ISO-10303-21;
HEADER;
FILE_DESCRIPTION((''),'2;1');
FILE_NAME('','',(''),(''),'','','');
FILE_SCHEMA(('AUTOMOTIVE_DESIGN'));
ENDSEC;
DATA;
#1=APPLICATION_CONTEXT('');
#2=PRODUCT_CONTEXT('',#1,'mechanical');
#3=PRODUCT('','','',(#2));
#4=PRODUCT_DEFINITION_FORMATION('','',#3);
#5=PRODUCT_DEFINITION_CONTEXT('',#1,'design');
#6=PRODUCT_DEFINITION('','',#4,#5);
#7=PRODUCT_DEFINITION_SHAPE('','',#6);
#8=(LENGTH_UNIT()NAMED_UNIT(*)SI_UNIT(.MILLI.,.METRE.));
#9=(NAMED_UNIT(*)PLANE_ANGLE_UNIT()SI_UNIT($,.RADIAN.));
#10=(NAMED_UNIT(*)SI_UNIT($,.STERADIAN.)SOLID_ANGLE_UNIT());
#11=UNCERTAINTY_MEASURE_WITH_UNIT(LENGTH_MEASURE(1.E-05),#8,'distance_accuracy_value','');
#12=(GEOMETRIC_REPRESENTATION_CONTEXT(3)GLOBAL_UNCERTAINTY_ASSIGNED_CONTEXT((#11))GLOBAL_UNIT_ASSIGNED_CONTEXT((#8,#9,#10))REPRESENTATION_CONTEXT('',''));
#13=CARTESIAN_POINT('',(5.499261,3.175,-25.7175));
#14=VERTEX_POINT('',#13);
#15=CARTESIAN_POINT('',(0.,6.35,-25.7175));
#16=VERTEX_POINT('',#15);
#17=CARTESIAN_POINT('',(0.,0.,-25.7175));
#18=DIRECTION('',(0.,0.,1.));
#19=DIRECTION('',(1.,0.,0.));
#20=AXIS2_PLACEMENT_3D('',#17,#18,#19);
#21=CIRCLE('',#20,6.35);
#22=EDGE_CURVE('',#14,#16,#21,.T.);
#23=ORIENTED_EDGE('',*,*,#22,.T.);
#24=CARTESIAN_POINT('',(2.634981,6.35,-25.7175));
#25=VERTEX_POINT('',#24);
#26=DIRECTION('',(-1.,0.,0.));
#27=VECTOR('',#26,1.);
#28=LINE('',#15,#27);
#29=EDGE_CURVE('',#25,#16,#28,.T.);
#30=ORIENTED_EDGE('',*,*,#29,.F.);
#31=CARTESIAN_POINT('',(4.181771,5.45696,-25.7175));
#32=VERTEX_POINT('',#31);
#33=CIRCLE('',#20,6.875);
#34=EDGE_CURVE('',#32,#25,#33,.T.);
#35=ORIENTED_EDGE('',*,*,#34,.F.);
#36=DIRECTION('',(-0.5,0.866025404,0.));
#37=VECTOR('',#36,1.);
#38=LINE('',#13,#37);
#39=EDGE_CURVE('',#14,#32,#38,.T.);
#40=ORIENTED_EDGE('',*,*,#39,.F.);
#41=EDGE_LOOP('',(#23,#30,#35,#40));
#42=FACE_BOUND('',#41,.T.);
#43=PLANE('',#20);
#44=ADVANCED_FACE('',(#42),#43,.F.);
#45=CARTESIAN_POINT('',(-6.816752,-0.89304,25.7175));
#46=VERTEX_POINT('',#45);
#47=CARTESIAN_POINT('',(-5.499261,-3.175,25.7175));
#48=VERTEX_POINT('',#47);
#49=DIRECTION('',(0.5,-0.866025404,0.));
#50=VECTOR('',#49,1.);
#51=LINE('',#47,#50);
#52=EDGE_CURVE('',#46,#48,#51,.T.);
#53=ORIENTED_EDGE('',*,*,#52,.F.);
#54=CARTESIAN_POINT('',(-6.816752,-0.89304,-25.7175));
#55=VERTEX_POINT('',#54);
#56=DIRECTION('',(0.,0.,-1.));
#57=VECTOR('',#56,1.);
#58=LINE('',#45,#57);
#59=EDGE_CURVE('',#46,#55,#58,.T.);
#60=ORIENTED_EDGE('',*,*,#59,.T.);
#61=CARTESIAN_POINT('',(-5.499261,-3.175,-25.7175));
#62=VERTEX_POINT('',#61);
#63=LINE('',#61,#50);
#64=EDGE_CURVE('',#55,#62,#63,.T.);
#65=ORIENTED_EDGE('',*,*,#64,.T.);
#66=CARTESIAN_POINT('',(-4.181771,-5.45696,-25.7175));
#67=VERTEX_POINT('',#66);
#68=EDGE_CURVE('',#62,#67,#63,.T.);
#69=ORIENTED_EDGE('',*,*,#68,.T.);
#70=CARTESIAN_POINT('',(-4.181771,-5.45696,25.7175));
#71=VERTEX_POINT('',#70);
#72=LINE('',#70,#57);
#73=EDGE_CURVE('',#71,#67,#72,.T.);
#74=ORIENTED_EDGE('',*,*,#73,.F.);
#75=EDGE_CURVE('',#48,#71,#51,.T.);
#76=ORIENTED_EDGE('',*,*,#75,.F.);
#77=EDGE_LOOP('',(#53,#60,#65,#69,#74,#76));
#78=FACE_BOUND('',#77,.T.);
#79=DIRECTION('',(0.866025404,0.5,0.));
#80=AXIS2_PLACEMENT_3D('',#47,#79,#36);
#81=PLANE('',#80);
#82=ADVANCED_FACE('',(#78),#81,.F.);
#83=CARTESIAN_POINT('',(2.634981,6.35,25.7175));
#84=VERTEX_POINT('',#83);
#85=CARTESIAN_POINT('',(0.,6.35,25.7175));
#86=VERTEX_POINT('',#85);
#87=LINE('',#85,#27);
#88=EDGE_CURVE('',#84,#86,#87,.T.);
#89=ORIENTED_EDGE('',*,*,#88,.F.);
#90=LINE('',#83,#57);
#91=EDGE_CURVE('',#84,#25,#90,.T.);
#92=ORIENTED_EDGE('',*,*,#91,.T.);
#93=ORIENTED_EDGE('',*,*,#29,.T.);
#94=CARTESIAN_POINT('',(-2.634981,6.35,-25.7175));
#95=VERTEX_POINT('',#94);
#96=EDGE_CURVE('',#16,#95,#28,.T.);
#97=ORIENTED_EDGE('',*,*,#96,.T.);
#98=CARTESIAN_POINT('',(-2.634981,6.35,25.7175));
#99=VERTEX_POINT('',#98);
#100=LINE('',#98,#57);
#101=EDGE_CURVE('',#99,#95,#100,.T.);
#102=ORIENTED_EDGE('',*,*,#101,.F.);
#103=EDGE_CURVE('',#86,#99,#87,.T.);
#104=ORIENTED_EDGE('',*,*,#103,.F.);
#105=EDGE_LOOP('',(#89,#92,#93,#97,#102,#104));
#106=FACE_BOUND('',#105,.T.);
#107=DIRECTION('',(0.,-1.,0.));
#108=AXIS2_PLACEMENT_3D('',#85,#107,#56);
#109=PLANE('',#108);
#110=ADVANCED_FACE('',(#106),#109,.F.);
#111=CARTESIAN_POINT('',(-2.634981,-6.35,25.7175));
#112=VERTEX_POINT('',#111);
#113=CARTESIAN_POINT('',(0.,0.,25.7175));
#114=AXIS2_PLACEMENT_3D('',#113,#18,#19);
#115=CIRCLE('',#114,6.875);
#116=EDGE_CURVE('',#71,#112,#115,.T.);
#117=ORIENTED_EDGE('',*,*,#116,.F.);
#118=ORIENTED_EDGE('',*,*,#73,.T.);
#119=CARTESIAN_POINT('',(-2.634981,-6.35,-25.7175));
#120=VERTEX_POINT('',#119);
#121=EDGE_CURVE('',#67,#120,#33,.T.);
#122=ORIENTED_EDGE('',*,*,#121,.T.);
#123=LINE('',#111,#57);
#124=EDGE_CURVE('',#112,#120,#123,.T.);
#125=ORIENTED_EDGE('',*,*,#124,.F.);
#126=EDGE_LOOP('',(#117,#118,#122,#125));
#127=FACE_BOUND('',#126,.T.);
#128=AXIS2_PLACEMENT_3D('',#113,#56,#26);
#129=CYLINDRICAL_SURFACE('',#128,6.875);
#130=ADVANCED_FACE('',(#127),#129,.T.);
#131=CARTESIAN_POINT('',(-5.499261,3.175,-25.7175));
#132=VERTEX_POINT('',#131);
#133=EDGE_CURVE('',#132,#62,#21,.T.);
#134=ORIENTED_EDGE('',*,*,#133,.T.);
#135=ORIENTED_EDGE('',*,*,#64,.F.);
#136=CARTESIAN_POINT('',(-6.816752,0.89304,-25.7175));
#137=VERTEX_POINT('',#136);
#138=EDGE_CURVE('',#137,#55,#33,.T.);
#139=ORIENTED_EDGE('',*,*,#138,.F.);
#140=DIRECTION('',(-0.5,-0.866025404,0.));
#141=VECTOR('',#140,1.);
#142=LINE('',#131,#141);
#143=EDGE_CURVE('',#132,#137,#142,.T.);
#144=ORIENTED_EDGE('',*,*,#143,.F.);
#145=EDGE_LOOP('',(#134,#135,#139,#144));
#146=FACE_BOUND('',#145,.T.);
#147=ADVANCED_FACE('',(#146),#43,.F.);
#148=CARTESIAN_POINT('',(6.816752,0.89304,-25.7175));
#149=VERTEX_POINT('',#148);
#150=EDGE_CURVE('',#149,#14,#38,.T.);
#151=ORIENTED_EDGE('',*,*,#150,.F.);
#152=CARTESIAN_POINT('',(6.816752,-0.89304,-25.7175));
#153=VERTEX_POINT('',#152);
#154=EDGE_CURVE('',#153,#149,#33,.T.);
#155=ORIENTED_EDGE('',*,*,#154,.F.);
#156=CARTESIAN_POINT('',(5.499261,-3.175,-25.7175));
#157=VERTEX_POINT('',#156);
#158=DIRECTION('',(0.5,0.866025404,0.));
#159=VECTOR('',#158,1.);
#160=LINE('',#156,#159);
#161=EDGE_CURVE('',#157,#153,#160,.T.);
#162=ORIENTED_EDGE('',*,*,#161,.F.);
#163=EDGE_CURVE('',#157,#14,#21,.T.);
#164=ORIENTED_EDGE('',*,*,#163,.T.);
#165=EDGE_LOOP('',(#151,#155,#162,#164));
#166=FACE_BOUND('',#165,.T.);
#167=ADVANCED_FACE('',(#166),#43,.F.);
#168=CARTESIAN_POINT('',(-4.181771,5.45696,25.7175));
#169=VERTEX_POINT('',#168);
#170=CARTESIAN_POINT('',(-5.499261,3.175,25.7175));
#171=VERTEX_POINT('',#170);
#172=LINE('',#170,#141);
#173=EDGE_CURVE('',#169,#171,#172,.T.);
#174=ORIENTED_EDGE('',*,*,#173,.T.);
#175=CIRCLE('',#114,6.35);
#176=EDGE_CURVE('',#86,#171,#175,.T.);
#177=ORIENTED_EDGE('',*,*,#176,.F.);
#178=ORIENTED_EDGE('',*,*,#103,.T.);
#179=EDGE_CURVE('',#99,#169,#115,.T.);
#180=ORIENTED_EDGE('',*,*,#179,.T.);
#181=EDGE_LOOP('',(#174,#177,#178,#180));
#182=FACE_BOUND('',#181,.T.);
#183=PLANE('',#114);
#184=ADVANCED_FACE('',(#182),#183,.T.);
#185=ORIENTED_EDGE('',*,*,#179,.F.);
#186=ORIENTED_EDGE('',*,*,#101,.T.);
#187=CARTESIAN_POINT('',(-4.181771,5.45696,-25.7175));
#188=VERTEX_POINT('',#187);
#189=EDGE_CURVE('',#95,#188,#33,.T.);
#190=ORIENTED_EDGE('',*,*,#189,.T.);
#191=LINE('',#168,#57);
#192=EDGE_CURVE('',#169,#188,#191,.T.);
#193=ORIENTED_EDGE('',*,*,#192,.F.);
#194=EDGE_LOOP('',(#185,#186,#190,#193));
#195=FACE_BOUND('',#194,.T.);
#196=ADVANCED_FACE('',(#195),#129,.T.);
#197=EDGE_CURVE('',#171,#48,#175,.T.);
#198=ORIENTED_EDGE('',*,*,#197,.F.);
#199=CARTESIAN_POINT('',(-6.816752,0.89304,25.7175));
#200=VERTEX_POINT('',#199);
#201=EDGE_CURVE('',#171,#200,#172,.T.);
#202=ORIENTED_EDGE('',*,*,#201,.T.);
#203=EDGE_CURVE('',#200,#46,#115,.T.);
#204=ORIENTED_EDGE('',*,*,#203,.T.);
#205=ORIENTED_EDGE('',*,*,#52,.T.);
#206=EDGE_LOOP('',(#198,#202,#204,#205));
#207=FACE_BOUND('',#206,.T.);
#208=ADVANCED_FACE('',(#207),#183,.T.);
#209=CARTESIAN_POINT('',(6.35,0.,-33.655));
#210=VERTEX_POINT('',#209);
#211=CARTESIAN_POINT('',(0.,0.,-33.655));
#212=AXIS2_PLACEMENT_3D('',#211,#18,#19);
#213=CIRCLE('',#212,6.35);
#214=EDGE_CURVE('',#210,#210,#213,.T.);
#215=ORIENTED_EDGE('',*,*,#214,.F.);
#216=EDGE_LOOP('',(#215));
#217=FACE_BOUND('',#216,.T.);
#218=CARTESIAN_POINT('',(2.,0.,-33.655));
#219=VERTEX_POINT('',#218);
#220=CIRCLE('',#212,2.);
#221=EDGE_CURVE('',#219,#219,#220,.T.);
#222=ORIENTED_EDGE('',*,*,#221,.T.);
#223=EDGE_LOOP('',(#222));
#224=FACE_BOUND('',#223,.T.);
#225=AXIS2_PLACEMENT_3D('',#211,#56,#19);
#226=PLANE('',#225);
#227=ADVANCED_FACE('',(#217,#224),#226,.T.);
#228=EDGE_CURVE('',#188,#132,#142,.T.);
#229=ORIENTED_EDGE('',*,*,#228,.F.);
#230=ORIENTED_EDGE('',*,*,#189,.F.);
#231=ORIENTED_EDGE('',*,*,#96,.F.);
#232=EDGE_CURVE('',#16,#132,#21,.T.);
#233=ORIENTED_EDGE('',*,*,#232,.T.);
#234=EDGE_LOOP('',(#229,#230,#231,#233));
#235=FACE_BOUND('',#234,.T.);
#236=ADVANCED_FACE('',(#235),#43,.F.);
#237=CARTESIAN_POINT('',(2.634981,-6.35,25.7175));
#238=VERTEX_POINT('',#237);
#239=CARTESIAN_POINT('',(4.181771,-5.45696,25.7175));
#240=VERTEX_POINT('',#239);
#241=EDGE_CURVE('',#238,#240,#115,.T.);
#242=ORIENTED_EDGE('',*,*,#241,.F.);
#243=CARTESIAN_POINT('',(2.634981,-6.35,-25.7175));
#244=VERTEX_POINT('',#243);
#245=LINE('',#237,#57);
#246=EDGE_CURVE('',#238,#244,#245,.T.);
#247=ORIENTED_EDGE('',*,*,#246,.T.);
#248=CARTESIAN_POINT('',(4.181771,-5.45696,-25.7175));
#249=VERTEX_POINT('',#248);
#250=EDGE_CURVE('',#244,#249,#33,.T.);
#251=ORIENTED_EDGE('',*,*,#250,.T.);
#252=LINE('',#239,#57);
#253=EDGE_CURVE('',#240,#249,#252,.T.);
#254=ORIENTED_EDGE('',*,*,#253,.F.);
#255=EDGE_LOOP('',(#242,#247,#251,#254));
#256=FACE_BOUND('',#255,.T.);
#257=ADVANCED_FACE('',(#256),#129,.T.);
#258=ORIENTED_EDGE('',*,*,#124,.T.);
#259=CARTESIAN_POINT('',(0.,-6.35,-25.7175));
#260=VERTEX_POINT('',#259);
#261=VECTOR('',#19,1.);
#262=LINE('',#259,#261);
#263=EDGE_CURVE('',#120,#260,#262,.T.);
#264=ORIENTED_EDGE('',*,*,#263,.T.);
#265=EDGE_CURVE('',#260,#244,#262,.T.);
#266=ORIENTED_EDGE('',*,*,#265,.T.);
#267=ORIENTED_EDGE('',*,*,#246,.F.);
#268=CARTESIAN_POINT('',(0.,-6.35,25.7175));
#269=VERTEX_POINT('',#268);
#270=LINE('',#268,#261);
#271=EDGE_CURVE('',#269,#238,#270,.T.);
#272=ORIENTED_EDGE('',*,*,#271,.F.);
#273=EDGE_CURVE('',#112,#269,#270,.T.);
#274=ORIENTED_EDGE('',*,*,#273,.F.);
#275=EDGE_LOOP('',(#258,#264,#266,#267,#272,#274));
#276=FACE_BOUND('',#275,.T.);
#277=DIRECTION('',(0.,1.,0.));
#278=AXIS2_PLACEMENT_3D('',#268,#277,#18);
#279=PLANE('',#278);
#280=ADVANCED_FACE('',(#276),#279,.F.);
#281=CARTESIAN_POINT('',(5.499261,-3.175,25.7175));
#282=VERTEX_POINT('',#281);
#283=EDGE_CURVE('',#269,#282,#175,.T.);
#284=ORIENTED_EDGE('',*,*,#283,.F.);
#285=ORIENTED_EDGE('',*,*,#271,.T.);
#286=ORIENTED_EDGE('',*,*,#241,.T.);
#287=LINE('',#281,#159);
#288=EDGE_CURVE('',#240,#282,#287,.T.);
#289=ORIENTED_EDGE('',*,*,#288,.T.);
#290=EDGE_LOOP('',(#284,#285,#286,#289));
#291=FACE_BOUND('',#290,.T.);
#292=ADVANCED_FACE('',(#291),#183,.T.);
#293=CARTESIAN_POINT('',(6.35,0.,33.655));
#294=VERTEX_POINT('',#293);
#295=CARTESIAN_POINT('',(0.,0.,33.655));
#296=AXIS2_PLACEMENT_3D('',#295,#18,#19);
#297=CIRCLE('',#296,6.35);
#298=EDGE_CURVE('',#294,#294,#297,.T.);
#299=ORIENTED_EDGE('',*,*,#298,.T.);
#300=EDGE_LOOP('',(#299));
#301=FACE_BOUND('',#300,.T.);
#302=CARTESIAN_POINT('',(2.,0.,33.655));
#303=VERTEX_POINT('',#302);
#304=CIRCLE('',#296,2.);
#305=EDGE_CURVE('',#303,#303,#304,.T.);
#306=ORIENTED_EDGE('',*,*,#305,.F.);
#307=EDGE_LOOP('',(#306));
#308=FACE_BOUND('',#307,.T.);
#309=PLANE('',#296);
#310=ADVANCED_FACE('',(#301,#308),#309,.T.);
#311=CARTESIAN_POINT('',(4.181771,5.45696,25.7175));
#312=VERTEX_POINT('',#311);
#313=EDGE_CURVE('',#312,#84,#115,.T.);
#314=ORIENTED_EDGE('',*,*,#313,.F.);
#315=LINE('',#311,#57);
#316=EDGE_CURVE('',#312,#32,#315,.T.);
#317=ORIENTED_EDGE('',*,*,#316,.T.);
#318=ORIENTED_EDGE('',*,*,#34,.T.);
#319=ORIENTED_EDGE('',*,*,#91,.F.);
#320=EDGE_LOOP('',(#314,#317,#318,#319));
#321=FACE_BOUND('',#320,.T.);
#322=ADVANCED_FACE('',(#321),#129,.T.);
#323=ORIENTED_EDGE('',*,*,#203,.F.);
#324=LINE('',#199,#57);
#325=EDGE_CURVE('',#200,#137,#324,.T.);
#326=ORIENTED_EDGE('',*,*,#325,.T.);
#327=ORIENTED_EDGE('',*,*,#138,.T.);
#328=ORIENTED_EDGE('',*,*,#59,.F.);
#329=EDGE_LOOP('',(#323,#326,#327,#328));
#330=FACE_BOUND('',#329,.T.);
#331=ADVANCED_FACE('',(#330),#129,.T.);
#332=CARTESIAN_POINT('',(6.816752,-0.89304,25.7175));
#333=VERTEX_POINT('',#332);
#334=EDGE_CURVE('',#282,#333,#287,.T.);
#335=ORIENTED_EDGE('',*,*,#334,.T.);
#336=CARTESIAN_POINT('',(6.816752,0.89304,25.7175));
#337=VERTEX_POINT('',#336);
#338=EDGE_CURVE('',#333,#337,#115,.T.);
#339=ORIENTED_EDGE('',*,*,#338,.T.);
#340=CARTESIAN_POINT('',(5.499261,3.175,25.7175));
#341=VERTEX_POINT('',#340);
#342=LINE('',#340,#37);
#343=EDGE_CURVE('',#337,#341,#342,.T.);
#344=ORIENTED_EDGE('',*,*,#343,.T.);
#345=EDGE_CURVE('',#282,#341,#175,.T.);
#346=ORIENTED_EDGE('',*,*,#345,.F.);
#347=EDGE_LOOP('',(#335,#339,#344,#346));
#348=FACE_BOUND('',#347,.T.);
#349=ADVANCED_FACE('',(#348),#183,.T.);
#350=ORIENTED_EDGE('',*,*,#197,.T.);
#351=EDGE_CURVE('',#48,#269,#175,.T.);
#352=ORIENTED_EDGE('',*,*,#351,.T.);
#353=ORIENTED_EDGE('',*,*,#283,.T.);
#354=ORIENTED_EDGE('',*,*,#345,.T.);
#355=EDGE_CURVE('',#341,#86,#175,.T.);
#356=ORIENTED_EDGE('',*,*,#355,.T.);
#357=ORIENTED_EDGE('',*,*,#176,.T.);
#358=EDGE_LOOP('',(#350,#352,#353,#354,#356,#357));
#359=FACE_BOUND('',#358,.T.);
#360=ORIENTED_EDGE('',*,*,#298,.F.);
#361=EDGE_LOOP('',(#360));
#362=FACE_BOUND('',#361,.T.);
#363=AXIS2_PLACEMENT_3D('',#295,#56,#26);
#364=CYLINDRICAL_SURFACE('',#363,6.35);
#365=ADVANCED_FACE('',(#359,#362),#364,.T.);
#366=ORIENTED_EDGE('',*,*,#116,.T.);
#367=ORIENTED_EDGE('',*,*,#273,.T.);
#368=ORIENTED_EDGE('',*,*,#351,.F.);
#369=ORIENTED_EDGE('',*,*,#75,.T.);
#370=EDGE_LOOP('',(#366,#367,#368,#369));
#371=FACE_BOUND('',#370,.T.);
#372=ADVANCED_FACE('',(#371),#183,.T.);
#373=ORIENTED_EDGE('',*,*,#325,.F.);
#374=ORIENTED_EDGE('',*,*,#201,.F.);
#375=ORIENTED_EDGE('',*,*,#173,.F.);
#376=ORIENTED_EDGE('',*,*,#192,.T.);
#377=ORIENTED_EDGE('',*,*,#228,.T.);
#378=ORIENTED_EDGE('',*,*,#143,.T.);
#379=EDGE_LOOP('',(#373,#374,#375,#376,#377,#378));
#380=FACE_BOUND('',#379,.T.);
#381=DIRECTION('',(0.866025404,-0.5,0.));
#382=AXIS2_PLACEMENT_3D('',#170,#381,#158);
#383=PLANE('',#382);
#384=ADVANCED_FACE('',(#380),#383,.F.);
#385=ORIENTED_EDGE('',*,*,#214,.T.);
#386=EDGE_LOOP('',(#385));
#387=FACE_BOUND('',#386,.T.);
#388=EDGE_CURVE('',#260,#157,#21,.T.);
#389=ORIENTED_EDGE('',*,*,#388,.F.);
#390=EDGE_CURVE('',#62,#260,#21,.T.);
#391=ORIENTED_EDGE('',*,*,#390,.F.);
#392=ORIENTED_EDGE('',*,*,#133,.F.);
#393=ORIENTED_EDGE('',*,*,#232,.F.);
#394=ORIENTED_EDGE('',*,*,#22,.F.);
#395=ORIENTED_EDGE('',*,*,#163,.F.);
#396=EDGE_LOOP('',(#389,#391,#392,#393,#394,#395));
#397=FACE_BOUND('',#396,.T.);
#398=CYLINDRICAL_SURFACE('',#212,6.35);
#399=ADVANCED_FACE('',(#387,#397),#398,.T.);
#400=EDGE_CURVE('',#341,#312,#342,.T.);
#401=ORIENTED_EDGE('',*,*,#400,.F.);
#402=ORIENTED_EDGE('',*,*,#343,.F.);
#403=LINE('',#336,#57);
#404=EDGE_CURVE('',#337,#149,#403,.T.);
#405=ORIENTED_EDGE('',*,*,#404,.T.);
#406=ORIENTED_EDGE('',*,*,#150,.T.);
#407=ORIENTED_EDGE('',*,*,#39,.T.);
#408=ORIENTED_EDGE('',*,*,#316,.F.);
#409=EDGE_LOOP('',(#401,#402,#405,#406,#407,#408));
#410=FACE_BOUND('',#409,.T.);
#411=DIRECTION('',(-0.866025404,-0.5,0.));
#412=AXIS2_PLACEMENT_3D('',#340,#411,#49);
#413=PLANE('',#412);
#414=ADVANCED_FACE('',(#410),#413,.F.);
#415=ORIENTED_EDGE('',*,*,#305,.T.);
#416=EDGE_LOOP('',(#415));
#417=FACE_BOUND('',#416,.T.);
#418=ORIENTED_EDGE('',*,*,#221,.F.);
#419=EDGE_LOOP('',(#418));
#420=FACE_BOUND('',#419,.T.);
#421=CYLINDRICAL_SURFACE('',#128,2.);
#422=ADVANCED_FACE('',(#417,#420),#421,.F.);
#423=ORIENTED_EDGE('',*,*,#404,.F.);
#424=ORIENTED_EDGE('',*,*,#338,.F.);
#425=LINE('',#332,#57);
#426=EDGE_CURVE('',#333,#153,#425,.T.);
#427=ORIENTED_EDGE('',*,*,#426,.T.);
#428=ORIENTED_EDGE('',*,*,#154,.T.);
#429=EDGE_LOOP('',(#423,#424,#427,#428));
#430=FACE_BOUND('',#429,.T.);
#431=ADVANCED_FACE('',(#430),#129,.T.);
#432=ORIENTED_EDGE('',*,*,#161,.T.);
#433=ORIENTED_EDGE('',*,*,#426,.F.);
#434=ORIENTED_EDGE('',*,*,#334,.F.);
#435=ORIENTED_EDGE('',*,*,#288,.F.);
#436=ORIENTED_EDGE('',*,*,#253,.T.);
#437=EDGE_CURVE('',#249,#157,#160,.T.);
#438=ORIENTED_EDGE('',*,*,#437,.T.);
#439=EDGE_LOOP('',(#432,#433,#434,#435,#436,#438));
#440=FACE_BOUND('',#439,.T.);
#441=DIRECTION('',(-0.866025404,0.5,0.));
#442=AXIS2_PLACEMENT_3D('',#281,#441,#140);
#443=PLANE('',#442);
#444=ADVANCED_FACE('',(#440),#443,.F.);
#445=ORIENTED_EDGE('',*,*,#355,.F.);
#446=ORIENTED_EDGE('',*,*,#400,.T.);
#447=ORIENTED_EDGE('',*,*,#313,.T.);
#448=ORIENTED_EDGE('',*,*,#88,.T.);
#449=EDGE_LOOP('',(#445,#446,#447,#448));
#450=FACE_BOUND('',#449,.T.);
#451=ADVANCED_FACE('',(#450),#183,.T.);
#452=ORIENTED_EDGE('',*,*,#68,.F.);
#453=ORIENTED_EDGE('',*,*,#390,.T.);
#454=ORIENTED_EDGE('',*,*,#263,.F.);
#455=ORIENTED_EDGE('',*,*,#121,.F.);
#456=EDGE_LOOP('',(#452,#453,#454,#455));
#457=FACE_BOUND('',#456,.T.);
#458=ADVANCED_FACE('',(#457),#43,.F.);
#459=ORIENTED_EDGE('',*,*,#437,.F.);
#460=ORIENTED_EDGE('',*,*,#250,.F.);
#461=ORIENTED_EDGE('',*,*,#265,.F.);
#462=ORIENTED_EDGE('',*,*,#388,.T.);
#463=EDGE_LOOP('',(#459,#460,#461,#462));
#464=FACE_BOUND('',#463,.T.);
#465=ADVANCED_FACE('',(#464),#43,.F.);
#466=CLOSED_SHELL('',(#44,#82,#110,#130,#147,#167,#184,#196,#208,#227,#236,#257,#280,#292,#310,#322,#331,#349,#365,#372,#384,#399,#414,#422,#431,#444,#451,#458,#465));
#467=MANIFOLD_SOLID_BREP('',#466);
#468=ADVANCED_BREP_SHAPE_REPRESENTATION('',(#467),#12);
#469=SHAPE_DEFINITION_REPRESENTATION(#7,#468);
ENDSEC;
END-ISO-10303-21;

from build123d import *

# Parameters (mm, degrees)
SKETCH1_R           = 2.000000064
BOSS_EXTRUDE1_DEPTH = 25.7175
SKETCH4_R           = 6.35
SKETCH4_R_2         = 2.000000064
BOSS_EXTRUDE2_DEPTH = 7.9375


with BuildPart() as part:
    # Sketch1 → Boss-Extrude1 (new, symmetric)
    with BuildSketch(Plane.XY):
        with BuildLine():
            ThreePointArc((4.181770846, 5.456960429), (3.437499983, 5.953924622), (2.634980936, 6.35))
            Line((2.634980936, 6.35), (-2.634980936, 6.35))
            ThreePointArc((-2.634980936, 6.35), (-3.437499983, 5.953924622), (-4.181770846, 5.456960429))
            Line((-4.181770846, 5.456960429), (-6.816751782, 0.893039571))
            ThreePointArc((-6.816751782, 0.893039571), (-6.874999966, 0), (-6.816751782, -0.893039571))
            Line((-6.816751782, -0.893039571), (-4.181770846, -5.456960429))
            ThreePointArc((-4.181770846, -5.456960429), (-3.437499983, -5.953924622), (-2.634980936, -6.35))
            Line((-2.634980936, -6.35), (2.634980936, -6.35))
            ThreePointArc((2.634980936, -6.35), (3.437499983, -5.953924622), (4.181770846, -5.456960429))
            Line((4.181770846, -5.456960429), (6.816751782, -0.893039571))
            ThreePointArc((6.816751782, -0.893039571), (6.860422465, -0.447468582), (6.874999966, 0))
            ThreePointArc((6.874999966, 0), (6.860422465, 0.447468582), (6.816751782, 0.893039571))
            Line((6.816751782, 0.893039571), (4.181770846, 5.456960429))
        make_face()
        Circle(SKETCH1_R, mode=Mode.SUBTRACT)
    extrude(amount=BOSS_EXTRUDE1_DEPTH, both=True)

    # Sketch4 → Boss-Extrude2 (add)
    with BuildSketch(Plane.XY.offset(25.7175)):
        with Locations(Location((0, 0, 0), (0, 0, 150))):
            Circle(SKETCH4_R)
        Circle(SKETCH4_R_2, mode=Mode.SUBTRACT)
    boss_extrude2 = extrude(amount=BOSS_EXTRUDE2_DEPTH)

    # Mirror1: Boss-Extrude2 across plane
    add(boss_extrude2.mirror(Plane.XY))


solid = part.part
